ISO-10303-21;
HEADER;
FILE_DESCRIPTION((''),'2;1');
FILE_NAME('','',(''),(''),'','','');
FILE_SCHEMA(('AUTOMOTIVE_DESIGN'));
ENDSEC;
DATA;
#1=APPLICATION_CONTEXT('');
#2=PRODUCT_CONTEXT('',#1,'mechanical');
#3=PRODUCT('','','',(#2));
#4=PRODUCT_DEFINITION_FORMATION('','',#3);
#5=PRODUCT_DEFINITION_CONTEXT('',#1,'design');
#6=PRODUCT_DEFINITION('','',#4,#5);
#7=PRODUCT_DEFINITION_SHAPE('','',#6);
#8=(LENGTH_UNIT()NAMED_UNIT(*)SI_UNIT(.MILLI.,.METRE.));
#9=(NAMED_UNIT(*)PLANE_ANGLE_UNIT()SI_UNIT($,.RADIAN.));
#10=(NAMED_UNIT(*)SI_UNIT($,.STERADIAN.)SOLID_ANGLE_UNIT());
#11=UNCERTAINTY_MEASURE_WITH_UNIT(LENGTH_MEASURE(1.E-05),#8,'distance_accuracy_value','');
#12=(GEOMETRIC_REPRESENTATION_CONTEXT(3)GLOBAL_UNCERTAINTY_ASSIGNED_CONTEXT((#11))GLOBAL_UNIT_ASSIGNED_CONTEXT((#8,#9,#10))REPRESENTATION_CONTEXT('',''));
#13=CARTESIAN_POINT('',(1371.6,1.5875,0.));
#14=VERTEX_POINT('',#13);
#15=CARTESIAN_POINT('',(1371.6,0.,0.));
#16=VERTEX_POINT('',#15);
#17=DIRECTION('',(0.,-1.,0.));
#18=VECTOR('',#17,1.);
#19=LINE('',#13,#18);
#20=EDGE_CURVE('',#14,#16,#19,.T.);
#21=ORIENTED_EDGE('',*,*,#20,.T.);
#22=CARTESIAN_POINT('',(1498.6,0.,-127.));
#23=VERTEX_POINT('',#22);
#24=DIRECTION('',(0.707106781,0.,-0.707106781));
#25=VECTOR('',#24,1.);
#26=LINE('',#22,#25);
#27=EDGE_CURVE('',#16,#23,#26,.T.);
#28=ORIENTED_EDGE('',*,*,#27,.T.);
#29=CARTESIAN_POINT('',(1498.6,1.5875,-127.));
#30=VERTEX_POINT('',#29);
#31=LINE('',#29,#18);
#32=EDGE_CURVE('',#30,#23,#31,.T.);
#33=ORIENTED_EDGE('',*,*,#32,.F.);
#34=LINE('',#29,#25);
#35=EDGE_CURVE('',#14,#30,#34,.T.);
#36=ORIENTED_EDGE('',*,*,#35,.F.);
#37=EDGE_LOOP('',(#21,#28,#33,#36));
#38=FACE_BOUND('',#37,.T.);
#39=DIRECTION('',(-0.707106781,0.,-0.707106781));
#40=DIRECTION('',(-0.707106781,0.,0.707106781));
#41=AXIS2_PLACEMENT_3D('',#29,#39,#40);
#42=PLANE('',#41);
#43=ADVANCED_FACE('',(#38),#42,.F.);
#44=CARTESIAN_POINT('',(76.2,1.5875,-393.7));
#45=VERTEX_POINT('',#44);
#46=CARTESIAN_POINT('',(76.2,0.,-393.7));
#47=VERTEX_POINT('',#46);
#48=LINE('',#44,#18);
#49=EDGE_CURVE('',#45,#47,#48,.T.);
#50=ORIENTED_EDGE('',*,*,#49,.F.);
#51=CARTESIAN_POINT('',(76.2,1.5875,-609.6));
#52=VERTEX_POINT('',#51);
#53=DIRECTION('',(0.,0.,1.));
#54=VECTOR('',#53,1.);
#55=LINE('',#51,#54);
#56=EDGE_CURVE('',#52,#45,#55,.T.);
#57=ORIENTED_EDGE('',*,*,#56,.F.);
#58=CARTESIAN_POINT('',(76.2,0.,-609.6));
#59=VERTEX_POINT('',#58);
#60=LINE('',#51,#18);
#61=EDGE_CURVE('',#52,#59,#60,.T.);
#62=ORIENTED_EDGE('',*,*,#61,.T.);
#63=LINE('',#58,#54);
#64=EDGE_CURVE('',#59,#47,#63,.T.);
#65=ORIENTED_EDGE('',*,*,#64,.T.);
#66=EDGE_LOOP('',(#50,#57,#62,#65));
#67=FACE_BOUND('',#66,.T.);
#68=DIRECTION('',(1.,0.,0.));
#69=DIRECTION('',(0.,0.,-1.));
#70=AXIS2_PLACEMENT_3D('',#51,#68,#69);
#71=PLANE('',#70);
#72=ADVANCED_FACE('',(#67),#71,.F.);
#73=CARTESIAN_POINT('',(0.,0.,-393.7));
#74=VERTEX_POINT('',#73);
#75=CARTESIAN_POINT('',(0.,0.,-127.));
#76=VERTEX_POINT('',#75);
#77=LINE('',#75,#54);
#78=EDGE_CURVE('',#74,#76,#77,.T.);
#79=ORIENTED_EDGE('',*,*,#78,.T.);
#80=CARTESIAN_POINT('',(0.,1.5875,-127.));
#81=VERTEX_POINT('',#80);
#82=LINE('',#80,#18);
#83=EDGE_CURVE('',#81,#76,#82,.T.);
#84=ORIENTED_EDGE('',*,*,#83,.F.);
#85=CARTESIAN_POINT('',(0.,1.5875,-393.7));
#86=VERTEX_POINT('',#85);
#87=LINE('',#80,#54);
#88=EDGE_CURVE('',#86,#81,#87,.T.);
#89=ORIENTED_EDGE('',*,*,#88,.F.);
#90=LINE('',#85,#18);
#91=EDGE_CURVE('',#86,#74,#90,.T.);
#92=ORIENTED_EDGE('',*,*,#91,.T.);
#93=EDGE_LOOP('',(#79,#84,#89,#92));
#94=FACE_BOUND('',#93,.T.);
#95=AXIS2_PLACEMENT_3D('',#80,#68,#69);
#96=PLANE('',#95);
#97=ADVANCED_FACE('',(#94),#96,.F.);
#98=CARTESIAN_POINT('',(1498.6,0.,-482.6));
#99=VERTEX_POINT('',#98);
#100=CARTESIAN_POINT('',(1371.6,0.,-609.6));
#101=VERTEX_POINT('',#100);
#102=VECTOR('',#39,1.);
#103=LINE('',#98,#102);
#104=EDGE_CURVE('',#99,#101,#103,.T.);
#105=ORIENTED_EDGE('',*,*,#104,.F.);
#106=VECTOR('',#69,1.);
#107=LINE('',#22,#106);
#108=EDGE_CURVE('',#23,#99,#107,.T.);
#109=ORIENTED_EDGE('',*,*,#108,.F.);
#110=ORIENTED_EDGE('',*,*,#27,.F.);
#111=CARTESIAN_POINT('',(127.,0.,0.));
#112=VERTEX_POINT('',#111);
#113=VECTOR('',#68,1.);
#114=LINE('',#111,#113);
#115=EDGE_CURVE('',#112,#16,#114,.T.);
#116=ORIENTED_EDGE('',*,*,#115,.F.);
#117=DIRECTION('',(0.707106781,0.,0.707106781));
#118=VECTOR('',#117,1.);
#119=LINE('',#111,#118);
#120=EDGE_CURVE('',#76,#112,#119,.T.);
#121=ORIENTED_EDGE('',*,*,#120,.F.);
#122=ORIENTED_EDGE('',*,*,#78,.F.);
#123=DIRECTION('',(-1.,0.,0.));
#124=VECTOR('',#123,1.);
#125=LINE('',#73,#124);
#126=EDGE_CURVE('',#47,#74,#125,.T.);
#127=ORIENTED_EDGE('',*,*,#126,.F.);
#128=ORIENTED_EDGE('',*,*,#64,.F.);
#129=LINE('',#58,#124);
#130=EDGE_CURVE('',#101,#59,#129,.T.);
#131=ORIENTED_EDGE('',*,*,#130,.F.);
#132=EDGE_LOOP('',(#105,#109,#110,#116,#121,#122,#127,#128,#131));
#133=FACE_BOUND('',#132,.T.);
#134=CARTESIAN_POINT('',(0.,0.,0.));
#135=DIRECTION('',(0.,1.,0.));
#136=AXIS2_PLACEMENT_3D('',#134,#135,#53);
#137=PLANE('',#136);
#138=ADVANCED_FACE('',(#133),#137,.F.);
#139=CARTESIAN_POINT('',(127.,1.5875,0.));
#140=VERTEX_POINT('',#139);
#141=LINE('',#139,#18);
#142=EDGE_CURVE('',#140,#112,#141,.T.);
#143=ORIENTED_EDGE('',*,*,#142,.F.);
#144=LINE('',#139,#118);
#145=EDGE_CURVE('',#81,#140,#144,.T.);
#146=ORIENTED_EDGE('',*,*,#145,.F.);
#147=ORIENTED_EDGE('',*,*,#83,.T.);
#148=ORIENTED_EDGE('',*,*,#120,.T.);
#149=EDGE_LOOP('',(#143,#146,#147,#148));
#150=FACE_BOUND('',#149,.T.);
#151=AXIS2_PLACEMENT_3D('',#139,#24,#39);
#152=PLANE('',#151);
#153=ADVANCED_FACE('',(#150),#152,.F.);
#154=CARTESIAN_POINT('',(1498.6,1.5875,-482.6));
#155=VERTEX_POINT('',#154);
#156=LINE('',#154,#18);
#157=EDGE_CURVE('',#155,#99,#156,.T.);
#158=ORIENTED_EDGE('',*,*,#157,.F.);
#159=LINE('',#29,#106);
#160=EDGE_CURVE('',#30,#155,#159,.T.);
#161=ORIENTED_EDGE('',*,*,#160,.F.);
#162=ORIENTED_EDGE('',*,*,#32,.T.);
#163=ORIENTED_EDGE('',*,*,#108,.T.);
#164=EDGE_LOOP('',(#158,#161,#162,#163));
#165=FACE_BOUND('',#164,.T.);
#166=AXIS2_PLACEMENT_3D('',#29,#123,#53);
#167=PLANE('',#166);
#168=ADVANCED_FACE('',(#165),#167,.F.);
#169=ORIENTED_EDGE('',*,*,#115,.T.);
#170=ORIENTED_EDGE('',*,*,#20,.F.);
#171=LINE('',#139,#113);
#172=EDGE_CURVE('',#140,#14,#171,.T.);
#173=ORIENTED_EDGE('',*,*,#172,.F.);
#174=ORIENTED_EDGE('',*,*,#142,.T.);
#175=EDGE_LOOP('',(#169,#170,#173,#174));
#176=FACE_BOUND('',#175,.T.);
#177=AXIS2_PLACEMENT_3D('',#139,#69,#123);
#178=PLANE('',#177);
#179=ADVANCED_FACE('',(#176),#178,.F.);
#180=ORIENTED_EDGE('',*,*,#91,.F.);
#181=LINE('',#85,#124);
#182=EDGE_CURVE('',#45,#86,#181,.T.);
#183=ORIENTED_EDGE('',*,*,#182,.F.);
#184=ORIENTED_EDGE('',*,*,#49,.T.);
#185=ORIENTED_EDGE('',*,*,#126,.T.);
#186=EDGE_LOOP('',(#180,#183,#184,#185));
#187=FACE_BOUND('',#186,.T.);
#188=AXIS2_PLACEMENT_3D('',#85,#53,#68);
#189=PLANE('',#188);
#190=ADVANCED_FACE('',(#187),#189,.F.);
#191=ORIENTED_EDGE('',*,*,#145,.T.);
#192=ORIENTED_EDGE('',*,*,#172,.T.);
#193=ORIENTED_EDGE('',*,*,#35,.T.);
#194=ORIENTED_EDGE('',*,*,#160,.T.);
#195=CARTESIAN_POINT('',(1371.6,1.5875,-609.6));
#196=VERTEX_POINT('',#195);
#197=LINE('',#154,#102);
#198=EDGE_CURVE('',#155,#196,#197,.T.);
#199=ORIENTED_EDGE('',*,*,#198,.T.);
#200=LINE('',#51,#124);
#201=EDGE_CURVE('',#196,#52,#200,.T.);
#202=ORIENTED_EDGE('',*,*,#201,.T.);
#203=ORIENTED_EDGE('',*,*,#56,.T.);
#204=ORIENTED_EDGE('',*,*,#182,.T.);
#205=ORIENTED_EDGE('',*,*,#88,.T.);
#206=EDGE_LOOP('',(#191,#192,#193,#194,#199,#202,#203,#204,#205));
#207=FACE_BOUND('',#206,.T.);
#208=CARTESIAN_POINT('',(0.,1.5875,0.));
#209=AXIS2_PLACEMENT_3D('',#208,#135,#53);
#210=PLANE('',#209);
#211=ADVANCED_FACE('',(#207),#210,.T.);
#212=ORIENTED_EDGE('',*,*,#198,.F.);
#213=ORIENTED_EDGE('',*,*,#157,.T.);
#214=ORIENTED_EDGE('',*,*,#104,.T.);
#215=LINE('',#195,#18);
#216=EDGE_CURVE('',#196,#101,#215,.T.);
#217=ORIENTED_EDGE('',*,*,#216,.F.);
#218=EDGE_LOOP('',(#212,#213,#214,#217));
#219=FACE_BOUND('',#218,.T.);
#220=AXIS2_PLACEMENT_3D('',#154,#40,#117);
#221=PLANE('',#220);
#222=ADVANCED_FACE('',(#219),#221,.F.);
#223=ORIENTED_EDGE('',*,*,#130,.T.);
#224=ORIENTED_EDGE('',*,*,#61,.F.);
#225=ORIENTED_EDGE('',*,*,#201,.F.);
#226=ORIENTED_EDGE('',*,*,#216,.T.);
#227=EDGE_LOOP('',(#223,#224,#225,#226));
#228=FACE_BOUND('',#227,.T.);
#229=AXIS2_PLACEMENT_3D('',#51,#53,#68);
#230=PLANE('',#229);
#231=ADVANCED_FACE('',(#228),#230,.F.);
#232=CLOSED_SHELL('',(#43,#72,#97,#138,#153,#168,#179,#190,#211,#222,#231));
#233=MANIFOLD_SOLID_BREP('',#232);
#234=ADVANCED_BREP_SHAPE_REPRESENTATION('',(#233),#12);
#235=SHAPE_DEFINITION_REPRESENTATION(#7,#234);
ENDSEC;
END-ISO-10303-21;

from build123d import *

# Parameters (mm, degrees)
BOSS_EXTRUDE1_DEPTH = 1.5875


with BuildPart() as part:
    # Sketch1 → Boss-Extrude1 (new body)
    with BuildSketch(Plane(origin=(0, 0, 0), x_dir=(1, 0, 0), z_dir=(0, 1, 0))):
        Polygon((1498.6, 127), (1371.6, 0), (127, 0), (0, 127), (0, 393.7), (76.2, 393.7), (76.2, 609.6), (1371.6, 609.6), (1498.6, 482.6), align=None)
    extrude(amount=BOSS_EXTRUDE1_DEPTH)


solid = part.part
